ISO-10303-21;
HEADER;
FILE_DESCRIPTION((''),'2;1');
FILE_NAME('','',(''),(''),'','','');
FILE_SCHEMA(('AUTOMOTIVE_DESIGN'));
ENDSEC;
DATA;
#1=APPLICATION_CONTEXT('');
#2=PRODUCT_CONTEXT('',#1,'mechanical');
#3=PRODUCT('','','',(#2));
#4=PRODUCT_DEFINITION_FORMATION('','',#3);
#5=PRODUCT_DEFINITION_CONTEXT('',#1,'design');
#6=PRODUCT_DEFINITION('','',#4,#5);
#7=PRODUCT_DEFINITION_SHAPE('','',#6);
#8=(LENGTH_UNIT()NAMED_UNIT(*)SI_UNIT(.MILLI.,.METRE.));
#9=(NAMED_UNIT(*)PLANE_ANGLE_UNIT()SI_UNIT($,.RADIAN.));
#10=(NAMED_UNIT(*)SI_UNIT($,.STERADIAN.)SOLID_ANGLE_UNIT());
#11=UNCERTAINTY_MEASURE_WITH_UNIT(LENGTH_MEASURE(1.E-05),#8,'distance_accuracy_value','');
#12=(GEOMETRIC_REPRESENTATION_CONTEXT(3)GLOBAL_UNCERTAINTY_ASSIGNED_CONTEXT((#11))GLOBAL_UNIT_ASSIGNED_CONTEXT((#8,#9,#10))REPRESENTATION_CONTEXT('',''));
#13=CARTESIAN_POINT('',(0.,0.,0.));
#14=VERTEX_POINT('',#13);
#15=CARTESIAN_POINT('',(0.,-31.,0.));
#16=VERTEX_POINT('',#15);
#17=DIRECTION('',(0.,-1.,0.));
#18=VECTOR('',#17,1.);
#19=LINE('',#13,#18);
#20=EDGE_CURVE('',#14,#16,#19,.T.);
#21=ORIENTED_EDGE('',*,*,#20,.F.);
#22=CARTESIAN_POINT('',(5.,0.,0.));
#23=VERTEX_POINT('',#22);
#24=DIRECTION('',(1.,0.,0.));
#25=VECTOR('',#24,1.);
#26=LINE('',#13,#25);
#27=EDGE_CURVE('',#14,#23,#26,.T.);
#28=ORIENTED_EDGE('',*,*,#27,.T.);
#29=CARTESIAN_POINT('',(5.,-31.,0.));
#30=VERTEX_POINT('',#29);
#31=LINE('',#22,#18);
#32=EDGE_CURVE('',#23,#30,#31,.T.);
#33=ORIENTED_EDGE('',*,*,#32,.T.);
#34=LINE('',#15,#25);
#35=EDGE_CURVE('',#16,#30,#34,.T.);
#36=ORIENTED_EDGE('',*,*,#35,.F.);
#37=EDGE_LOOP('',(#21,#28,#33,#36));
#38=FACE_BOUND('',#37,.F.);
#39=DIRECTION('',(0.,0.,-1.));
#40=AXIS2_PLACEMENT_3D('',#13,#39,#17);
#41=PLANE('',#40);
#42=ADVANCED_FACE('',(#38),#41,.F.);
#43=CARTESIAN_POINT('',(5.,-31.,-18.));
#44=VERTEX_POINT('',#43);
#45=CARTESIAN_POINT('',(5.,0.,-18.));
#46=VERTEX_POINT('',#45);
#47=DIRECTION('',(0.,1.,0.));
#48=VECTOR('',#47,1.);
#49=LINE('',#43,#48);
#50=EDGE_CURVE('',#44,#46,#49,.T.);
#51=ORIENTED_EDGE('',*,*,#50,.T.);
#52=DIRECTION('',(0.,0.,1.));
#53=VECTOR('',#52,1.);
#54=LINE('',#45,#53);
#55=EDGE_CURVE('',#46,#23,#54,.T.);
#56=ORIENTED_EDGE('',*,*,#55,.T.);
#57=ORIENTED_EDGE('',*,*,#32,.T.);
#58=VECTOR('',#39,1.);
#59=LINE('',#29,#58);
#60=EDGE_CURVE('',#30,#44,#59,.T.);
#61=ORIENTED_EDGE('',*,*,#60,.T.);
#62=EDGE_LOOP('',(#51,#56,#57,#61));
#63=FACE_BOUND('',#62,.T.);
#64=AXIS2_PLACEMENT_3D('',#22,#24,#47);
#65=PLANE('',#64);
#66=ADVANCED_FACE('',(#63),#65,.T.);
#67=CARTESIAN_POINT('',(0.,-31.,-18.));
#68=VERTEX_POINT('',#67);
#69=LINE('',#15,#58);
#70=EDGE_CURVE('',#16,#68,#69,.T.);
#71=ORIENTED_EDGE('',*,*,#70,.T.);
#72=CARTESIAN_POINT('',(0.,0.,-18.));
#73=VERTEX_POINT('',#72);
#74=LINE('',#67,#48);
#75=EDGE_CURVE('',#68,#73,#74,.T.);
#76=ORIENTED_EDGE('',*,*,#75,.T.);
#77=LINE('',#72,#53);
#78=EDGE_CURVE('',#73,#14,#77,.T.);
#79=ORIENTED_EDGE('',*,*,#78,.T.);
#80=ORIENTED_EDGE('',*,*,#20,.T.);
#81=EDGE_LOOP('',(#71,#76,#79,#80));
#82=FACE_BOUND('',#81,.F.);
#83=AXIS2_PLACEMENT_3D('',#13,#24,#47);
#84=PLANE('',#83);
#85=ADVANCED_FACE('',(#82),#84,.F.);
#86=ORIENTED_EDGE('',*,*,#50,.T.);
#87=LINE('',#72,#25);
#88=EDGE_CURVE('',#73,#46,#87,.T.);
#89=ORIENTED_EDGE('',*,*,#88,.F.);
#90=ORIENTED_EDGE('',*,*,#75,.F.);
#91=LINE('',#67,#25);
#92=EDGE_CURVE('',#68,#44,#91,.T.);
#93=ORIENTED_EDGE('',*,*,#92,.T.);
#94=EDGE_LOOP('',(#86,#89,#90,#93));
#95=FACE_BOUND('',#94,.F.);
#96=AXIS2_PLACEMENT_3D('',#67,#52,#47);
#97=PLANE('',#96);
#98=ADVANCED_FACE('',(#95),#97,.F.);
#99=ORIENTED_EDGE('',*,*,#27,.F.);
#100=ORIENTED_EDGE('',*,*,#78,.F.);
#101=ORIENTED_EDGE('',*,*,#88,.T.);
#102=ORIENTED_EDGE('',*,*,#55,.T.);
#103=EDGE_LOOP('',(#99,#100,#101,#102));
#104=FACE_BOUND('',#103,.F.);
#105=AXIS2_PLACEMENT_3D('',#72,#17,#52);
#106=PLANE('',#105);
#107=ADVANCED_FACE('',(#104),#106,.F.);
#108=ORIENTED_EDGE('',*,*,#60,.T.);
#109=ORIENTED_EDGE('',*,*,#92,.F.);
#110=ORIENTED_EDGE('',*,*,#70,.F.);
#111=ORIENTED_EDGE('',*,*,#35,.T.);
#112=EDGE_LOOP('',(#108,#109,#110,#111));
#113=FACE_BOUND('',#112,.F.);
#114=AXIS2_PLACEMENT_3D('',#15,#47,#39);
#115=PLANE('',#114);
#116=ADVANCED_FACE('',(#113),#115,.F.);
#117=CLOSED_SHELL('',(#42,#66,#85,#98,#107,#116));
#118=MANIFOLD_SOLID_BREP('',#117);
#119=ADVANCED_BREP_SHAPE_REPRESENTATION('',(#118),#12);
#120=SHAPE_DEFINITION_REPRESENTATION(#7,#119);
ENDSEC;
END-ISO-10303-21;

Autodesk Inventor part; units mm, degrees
ref_plane "YZ Plane" through (0, 0, 0) normal (1, 0, 0) x (0, 1, 0)
ref_plane "XZ Plane" through (0, 0, 0) normal (0, 1, 0) x (-1, 0, 0)
ref_plane "XY Plane" through (0, 0, 0) normal (0, 0, 1) x (1, 0, 0)
sketch "Boceto1" plane through (0, 0, 0) normal (1, 0, 0) x (0, 1, 0)
  line L0 (0, 0) -> (-31, 0)
  line L1 (-31, 0) -> (-31, -18)
  line L2 (-31, -18) -> (0, -18)
  line L3 (0, -18) -> (0, 0)
  dimension "d0" = 31
  dimension "d1" = 18
extrude "Extrusión1" add sketch "Boceto1" along normal blind 5
properties part number "Control"
